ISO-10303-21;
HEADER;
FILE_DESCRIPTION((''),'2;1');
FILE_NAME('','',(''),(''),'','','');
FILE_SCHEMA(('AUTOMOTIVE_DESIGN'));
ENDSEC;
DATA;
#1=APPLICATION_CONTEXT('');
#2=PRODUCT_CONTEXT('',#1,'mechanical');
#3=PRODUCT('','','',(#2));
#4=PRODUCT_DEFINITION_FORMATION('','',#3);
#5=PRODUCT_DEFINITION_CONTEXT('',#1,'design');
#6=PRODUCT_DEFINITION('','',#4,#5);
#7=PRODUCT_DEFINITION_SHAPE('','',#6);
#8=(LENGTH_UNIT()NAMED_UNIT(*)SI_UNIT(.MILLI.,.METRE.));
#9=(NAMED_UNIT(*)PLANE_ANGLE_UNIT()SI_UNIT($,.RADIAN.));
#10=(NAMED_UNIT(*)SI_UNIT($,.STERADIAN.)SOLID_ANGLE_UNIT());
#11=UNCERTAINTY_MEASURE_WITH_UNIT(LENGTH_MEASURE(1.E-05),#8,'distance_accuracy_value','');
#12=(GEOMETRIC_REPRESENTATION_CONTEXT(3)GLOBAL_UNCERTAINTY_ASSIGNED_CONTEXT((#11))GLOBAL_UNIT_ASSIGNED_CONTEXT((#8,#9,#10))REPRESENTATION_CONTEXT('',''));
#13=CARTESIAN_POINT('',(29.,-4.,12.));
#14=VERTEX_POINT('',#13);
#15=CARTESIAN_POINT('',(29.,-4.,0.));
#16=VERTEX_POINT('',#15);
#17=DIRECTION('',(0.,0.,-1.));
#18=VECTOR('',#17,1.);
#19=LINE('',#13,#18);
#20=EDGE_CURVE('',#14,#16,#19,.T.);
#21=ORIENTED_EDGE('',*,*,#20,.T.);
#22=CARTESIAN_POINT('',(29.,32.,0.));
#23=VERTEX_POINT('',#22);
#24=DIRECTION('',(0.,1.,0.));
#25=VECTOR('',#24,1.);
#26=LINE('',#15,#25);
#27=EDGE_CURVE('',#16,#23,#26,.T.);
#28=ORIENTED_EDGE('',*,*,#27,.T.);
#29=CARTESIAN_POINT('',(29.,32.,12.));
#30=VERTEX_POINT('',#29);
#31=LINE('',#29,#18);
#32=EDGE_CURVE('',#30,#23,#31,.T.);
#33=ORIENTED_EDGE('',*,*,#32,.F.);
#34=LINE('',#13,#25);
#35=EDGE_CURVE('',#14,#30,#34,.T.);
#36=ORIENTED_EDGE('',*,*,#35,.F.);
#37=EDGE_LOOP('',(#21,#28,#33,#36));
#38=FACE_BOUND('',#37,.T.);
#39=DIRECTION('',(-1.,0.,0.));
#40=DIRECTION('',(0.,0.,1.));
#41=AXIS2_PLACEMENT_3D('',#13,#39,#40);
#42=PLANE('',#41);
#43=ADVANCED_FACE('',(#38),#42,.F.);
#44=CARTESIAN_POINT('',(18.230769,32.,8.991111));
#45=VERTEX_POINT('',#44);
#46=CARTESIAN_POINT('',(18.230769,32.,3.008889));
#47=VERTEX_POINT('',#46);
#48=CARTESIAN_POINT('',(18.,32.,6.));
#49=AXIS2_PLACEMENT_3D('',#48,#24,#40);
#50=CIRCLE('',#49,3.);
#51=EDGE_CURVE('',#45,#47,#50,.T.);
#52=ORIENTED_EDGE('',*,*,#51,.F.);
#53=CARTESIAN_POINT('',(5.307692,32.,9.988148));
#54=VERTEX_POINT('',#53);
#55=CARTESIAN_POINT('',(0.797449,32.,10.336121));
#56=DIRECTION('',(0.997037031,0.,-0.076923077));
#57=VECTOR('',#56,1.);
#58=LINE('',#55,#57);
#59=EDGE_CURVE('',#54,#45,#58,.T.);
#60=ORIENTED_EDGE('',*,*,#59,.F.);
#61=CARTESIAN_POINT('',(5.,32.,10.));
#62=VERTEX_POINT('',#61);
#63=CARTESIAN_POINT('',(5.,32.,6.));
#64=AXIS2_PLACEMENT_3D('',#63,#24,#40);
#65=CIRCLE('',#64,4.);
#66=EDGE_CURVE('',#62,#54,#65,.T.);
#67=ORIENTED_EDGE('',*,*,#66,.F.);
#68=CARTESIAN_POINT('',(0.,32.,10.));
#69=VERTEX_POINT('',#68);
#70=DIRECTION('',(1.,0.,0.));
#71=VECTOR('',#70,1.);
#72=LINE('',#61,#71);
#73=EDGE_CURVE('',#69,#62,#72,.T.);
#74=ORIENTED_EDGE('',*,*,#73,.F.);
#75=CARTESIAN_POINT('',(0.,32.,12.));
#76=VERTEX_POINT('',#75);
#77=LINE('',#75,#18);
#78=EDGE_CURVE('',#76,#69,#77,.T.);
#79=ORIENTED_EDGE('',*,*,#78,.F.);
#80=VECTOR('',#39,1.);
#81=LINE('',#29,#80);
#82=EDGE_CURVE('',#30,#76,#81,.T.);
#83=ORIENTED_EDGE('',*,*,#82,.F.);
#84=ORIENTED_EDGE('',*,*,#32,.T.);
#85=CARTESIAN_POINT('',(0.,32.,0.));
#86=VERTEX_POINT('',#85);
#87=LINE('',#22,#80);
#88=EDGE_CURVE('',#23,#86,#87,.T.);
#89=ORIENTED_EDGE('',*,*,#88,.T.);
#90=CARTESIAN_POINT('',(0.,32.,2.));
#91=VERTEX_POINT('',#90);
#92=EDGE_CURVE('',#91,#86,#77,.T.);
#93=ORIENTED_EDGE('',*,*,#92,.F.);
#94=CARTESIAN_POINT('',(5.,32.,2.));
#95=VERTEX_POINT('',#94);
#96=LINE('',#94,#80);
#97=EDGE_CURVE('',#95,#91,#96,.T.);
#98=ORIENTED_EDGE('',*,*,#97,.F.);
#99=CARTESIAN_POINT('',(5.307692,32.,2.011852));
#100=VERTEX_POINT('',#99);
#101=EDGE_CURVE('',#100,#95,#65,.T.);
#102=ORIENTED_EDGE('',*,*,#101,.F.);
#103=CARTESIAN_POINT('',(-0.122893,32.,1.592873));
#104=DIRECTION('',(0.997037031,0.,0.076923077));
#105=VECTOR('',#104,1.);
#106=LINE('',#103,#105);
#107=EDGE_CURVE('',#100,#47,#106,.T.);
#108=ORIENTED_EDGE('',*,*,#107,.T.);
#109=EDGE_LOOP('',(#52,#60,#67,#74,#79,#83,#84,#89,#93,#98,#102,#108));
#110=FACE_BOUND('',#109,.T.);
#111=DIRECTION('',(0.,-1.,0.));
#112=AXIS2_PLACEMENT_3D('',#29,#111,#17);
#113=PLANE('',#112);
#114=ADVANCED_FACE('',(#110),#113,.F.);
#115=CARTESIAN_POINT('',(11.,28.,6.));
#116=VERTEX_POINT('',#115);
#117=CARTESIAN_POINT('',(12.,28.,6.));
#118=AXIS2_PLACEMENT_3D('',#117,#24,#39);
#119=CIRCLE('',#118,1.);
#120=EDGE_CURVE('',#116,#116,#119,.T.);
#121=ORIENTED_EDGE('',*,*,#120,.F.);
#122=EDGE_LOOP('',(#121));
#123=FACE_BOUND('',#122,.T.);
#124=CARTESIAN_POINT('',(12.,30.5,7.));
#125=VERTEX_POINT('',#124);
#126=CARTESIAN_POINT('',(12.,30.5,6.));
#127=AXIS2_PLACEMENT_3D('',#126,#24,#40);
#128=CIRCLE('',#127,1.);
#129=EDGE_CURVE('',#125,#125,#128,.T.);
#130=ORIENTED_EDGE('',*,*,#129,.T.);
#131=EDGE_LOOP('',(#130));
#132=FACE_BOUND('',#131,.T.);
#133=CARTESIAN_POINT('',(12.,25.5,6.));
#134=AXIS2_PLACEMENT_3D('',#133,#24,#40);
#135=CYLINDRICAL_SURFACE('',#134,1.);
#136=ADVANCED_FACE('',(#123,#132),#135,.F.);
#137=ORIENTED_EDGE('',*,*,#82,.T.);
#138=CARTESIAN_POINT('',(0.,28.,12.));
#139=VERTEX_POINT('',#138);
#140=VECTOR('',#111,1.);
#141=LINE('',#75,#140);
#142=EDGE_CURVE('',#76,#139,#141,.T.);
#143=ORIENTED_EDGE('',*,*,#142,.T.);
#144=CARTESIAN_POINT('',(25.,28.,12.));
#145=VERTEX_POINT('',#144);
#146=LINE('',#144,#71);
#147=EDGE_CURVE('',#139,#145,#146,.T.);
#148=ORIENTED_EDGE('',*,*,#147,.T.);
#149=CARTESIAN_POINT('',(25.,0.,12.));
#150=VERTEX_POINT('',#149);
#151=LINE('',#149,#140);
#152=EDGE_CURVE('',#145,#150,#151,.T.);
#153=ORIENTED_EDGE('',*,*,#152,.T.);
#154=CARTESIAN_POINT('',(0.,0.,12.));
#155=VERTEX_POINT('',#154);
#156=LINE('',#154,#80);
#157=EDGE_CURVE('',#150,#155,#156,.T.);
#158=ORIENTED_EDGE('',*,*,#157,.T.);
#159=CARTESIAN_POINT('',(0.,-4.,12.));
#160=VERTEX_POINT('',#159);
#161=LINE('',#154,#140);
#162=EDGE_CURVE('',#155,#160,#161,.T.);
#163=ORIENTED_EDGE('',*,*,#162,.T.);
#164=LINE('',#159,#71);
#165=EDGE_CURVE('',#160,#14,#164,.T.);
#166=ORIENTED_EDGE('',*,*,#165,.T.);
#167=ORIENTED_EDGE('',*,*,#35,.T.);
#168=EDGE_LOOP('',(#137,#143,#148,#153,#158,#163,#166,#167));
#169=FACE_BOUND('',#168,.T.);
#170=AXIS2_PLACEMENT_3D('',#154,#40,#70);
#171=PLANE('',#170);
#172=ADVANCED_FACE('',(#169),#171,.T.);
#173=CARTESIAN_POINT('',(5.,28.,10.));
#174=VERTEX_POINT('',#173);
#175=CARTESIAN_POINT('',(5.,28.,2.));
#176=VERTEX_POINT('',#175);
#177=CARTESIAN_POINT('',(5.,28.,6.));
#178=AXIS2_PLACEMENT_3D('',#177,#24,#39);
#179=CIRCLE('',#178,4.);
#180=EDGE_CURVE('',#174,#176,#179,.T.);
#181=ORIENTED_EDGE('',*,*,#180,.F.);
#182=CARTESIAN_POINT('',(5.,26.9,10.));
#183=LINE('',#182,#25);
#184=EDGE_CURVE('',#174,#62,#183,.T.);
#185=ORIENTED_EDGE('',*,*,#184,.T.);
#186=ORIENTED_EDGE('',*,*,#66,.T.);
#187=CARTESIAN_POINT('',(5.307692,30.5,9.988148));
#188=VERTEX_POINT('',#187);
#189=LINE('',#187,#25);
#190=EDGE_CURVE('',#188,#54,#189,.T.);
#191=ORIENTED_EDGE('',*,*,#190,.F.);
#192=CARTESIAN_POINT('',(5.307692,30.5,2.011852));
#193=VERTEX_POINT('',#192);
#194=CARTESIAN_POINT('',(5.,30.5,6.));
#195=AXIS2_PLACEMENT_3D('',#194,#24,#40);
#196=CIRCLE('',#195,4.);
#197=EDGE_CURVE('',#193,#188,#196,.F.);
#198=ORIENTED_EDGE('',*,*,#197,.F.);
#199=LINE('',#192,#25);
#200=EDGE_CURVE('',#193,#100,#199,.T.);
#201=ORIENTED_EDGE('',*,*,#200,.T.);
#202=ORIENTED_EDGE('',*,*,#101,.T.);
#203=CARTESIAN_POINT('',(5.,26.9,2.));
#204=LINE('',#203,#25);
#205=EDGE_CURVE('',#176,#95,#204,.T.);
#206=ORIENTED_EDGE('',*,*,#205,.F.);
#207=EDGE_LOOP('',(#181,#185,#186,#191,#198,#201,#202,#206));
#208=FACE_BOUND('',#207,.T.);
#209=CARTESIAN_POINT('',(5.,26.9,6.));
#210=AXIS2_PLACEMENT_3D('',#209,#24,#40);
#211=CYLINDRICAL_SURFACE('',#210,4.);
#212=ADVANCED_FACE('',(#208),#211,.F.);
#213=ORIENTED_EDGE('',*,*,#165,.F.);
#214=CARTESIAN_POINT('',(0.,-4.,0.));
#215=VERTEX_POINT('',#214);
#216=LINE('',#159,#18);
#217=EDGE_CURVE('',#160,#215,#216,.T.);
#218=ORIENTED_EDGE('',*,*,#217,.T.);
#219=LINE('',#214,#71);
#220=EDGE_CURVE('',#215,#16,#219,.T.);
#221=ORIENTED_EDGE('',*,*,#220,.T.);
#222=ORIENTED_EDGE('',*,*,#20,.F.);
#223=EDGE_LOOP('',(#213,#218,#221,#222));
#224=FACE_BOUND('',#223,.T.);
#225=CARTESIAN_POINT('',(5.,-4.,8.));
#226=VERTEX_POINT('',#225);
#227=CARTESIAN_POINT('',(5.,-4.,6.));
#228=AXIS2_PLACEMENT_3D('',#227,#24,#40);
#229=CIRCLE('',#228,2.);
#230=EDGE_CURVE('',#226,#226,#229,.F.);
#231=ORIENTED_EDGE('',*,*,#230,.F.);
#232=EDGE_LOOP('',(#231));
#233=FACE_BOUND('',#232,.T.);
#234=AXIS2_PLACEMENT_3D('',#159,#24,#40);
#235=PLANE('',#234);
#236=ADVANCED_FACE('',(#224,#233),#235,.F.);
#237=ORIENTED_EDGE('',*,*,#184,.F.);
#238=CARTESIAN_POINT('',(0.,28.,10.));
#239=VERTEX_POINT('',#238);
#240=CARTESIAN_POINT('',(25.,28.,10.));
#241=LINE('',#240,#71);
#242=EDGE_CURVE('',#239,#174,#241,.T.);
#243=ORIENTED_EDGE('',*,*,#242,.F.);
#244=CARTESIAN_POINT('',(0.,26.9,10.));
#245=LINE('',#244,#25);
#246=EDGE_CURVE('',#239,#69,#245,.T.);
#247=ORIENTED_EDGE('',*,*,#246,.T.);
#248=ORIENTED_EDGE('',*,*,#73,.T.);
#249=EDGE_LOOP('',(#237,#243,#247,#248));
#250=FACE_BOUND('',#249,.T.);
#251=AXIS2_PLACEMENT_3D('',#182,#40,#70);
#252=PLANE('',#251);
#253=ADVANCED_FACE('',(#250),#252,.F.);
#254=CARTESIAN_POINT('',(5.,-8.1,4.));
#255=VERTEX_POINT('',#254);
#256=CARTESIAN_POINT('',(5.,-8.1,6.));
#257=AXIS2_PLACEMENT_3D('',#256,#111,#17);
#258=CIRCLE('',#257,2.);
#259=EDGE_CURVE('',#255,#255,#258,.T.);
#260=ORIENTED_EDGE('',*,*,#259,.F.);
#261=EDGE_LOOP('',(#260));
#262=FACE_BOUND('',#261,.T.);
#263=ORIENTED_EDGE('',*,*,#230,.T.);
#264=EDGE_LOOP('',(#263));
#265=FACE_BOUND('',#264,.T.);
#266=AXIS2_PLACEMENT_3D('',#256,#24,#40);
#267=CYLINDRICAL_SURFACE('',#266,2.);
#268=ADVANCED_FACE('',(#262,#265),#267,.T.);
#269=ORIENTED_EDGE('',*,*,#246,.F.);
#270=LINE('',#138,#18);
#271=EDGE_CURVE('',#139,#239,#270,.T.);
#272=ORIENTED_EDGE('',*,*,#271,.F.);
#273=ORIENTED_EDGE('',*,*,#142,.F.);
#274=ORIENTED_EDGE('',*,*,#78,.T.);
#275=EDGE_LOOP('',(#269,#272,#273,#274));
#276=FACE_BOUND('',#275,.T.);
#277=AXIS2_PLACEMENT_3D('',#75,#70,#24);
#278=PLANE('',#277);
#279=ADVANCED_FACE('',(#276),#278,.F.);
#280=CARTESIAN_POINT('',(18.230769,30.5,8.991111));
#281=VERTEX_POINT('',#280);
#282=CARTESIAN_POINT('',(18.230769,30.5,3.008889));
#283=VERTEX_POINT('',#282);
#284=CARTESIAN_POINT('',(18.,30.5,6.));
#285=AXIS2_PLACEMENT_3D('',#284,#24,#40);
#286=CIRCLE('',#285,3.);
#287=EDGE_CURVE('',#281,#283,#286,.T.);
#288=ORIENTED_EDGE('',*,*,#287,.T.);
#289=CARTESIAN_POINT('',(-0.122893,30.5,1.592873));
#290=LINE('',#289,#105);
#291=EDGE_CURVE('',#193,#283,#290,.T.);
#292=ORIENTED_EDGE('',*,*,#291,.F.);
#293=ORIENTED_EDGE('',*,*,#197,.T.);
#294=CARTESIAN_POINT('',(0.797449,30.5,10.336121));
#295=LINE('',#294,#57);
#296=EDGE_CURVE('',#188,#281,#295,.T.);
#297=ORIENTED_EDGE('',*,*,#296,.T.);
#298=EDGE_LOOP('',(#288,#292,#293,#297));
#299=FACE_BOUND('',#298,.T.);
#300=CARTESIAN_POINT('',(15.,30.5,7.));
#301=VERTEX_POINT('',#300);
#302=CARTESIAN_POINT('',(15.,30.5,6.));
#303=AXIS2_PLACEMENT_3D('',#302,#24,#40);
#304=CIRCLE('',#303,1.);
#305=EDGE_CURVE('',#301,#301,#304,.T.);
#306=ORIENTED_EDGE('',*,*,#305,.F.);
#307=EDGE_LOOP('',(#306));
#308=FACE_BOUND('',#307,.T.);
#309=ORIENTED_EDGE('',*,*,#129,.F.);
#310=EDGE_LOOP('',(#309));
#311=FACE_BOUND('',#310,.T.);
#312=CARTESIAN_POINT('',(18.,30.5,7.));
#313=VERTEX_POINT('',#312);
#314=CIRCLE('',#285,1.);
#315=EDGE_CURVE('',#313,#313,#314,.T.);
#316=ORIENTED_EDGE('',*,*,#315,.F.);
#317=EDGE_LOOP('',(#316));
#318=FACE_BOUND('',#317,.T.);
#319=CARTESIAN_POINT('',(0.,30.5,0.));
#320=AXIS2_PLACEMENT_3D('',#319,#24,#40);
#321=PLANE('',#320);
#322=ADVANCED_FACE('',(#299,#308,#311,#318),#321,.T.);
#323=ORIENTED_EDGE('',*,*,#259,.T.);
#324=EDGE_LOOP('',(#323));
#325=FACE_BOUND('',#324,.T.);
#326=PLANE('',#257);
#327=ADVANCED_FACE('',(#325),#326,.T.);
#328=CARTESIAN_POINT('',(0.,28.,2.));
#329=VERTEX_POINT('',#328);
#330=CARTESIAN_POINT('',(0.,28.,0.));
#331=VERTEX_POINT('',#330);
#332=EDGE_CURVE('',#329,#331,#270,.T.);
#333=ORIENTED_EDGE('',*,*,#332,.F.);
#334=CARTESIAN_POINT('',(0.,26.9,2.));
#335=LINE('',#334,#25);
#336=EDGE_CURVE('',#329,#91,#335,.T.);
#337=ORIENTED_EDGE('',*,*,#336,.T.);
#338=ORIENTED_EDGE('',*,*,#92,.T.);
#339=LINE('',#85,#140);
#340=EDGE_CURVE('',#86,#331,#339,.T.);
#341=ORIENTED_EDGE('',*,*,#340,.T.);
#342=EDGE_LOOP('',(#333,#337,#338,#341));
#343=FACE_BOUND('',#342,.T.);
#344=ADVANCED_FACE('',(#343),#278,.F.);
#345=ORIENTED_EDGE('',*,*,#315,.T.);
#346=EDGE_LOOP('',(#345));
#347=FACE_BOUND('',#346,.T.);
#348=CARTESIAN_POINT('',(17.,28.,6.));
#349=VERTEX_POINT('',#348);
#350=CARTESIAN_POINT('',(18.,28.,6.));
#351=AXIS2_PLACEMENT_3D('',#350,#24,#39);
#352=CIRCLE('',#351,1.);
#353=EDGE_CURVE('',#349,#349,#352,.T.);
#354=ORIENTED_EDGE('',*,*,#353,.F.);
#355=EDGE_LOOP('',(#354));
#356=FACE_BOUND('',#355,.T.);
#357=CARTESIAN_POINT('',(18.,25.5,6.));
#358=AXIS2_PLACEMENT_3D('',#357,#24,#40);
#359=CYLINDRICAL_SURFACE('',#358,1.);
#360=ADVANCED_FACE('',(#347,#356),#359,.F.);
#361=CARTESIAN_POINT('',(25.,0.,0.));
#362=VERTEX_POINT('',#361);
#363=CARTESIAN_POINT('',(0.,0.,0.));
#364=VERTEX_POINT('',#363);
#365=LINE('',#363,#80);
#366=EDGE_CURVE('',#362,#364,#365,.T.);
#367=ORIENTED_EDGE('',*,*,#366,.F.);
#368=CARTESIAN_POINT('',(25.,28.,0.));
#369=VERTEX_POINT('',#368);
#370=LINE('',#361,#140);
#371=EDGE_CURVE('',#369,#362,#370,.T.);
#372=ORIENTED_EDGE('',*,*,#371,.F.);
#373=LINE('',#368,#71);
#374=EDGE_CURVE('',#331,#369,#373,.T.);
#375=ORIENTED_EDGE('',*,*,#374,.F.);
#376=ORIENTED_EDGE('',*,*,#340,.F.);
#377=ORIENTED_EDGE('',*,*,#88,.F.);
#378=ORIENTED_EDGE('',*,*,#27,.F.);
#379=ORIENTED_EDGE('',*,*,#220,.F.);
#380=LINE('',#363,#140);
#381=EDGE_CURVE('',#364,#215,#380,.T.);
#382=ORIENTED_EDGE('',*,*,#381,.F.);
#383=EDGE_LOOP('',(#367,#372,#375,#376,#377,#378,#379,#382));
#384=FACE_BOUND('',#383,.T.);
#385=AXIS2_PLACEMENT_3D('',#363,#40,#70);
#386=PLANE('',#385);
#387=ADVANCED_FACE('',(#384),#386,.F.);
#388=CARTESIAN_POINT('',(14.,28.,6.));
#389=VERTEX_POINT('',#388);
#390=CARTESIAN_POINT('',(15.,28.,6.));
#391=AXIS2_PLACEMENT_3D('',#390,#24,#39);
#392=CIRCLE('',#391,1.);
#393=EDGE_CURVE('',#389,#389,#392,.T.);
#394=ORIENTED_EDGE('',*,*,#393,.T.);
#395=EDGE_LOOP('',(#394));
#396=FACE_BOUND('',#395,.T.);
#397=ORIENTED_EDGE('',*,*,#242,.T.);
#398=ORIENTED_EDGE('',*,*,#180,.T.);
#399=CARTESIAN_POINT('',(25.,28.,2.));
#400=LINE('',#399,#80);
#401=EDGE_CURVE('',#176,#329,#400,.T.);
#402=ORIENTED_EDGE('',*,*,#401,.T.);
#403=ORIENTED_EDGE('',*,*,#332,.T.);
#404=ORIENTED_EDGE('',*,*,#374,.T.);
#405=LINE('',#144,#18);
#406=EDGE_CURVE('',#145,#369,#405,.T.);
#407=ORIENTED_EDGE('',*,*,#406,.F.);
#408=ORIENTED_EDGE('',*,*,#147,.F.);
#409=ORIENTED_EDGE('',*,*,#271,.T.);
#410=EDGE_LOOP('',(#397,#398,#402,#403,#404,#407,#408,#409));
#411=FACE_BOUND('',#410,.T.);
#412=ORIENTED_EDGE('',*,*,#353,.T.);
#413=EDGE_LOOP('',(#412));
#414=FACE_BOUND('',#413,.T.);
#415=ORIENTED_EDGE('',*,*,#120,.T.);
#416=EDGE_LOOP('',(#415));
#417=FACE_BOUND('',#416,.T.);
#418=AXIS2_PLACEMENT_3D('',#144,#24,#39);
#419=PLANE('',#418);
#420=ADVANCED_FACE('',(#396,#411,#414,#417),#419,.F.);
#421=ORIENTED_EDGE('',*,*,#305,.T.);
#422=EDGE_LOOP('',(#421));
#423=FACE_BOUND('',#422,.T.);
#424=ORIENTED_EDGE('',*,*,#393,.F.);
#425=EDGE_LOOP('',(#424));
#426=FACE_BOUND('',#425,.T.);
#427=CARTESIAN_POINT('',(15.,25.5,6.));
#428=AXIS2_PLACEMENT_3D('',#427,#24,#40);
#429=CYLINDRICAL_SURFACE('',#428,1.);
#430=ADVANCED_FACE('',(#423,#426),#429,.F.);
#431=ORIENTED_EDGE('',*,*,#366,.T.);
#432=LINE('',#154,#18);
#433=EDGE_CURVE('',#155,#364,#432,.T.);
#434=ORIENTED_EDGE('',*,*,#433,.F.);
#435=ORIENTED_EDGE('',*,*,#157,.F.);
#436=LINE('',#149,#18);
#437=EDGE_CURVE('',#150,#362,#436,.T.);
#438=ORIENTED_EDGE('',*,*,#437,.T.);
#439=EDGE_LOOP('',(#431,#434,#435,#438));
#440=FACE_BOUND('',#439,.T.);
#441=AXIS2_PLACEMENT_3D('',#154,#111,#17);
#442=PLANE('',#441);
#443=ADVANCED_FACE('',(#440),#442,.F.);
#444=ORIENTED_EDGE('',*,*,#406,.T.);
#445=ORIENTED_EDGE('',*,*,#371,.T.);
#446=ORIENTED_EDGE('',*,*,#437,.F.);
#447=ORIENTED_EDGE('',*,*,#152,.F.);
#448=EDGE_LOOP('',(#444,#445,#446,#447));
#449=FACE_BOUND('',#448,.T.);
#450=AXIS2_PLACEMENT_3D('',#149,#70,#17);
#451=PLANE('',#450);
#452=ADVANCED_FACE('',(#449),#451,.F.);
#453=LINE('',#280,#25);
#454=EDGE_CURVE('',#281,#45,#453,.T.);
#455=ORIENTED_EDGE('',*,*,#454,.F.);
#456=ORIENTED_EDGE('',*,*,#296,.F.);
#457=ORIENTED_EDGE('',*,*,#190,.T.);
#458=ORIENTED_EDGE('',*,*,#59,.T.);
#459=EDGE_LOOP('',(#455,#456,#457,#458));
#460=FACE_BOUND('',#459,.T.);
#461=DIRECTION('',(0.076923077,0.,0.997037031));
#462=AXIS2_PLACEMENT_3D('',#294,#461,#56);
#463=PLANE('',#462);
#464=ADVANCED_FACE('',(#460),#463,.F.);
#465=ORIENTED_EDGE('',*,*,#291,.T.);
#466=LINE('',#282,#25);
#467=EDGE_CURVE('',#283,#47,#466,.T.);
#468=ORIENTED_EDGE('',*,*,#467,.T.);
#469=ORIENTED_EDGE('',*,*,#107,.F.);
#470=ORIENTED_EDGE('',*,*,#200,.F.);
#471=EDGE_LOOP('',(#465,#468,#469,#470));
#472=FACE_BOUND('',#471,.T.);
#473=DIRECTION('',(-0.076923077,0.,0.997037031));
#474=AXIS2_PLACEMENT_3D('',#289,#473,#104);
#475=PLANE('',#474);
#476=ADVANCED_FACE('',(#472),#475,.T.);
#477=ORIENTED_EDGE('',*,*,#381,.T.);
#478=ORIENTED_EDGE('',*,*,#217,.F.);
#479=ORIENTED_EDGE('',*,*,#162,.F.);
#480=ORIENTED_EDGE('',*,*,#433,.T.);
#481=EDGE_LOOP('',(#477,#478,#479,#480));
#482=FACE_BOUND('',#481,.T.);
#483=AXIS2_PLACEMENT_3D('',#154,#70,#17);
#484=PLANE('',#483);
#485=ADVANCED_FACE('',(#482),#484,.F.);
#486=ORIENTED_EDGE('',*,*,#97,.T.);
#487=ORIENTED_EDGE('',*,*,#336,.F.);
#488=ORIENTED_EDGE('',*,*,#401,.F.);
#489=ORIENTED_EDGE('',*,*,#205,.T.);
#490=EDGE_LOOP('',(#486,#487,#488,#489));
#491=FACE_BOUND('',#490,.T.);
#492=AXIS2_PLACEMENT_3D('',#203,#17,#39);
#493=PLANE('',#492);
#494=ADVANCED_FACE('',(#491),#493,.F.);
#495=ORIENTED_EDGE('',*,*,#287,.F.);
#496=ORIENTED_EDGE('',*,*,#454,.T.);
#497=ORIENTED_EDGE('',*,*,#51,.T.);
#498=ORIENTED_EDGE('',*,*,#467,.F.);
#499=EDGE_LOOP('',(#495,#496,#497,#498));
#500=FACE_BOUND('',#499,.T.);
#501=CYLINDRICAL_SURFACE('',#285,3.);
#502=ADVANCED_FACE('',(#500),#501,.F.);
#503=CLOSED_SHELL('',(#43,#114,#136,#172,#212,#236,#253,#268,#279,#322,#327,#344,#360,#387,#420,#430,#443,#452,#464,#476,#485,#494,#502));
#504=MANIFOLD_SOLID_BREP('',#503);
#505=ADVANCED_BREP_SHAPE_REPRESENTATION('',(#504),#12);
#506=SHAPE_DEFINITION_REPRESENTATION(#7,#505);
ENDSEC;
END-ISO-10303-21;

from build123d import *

# Parameters (mm, degrees)
EXTRUDE_1_DEPTH     = 12
CUT_EXTRUDE_1_DEPTH = 5.1
CUT_EXTRUDE_2_DEPTH = 1.5
SKETCH_4_3_R        = 1
CUT_EXTRUDE_3_DEPTH = 6.5
SKETCH_2_R          = 2
EXTRUDE_2_DEPTH     = 4.1


with BuildPart() as part:
    # 草图1 → 凸台-拉伸1 (new body)
    with BuildSketch(Plane.XY):
        Polygon((0, 0), (25, 0), (25, 28), (0, 28), (0, 32), (29, 32), (29, -4), (0, -4), align=None)
    extrude(amount=EXTRUDE_1_DEPTH)

    # 草图3 → 切除-拉伸1 (cut)
    with BuildSketch(Plane(origin=(0, 32, 0), x_dir=(1, 0, 0), z_dir=(0, 1, 0))):
        with BuildLine():
            Line((5, -2), (0, -2))
            Line((0, -2), (0, -10))
            Line((0, -10), (5, -10))
            ThreePointArc((5, -10), (9, -6), (5, -2))
        make_face()
    extrude(amount=-CUT_EXTRUDE_1_DEPTH, mode=Mode.SUBTRACT)

    # 草图4 → 切除-拉伸2 (cut)
    with BuildSketch(Plane(origin=(0, 32, 0), x_dir=(1, 0, 0), z_dir=(0, 1, 0))):
        with BuildLine():
            Line((18.230769231, -3.008888908), (5.307692308, -2.011851878))
            ThreePointArc((5.307692308, -2.011851878), (9, -6), (5.307692308, -9.988148122))
            Line((5.307692308, -9.988148122), (18.230769231, -8.991111092))
            ThreePointArc((18.230769231, -8.991111092), (21, -6), (18.230769231, -3.008888908))
        make_face()
    extrude(amount=-CUT_EXTRUDE_2_DEPTH, mode=Mode.SUBTRACT)

    # 草图4<3> → 切除-拉伸3 (cut)
    with BuildSketch(Plane(origin=(0, 32, 0), x_dir=(1, 0, 0), z_dir=(0, 1, 0))):
        with Locations((12, -6)):
            Circle(SKETCH_4_3_R)
        with Locations((15, -6)):
            Circle(SKETCH_4_3_R)
        with Locations((18, -6)):
            Circle(SKETCH_4_3_R)
    extrude(amount=-CUT_EXTRUDE_3_DEPTH, mode=Mode.SUBTRACT)

    # 草图2 → 凸台-拉伸2 (add)
    with BuildSketch(Plane.XZ.offset(4)):
        with Locations((5, 6)):
            Circle(SKETCH_2_R)
    extrude(amount=EXTRUDE_2_DEPTH)


solid = part.part
